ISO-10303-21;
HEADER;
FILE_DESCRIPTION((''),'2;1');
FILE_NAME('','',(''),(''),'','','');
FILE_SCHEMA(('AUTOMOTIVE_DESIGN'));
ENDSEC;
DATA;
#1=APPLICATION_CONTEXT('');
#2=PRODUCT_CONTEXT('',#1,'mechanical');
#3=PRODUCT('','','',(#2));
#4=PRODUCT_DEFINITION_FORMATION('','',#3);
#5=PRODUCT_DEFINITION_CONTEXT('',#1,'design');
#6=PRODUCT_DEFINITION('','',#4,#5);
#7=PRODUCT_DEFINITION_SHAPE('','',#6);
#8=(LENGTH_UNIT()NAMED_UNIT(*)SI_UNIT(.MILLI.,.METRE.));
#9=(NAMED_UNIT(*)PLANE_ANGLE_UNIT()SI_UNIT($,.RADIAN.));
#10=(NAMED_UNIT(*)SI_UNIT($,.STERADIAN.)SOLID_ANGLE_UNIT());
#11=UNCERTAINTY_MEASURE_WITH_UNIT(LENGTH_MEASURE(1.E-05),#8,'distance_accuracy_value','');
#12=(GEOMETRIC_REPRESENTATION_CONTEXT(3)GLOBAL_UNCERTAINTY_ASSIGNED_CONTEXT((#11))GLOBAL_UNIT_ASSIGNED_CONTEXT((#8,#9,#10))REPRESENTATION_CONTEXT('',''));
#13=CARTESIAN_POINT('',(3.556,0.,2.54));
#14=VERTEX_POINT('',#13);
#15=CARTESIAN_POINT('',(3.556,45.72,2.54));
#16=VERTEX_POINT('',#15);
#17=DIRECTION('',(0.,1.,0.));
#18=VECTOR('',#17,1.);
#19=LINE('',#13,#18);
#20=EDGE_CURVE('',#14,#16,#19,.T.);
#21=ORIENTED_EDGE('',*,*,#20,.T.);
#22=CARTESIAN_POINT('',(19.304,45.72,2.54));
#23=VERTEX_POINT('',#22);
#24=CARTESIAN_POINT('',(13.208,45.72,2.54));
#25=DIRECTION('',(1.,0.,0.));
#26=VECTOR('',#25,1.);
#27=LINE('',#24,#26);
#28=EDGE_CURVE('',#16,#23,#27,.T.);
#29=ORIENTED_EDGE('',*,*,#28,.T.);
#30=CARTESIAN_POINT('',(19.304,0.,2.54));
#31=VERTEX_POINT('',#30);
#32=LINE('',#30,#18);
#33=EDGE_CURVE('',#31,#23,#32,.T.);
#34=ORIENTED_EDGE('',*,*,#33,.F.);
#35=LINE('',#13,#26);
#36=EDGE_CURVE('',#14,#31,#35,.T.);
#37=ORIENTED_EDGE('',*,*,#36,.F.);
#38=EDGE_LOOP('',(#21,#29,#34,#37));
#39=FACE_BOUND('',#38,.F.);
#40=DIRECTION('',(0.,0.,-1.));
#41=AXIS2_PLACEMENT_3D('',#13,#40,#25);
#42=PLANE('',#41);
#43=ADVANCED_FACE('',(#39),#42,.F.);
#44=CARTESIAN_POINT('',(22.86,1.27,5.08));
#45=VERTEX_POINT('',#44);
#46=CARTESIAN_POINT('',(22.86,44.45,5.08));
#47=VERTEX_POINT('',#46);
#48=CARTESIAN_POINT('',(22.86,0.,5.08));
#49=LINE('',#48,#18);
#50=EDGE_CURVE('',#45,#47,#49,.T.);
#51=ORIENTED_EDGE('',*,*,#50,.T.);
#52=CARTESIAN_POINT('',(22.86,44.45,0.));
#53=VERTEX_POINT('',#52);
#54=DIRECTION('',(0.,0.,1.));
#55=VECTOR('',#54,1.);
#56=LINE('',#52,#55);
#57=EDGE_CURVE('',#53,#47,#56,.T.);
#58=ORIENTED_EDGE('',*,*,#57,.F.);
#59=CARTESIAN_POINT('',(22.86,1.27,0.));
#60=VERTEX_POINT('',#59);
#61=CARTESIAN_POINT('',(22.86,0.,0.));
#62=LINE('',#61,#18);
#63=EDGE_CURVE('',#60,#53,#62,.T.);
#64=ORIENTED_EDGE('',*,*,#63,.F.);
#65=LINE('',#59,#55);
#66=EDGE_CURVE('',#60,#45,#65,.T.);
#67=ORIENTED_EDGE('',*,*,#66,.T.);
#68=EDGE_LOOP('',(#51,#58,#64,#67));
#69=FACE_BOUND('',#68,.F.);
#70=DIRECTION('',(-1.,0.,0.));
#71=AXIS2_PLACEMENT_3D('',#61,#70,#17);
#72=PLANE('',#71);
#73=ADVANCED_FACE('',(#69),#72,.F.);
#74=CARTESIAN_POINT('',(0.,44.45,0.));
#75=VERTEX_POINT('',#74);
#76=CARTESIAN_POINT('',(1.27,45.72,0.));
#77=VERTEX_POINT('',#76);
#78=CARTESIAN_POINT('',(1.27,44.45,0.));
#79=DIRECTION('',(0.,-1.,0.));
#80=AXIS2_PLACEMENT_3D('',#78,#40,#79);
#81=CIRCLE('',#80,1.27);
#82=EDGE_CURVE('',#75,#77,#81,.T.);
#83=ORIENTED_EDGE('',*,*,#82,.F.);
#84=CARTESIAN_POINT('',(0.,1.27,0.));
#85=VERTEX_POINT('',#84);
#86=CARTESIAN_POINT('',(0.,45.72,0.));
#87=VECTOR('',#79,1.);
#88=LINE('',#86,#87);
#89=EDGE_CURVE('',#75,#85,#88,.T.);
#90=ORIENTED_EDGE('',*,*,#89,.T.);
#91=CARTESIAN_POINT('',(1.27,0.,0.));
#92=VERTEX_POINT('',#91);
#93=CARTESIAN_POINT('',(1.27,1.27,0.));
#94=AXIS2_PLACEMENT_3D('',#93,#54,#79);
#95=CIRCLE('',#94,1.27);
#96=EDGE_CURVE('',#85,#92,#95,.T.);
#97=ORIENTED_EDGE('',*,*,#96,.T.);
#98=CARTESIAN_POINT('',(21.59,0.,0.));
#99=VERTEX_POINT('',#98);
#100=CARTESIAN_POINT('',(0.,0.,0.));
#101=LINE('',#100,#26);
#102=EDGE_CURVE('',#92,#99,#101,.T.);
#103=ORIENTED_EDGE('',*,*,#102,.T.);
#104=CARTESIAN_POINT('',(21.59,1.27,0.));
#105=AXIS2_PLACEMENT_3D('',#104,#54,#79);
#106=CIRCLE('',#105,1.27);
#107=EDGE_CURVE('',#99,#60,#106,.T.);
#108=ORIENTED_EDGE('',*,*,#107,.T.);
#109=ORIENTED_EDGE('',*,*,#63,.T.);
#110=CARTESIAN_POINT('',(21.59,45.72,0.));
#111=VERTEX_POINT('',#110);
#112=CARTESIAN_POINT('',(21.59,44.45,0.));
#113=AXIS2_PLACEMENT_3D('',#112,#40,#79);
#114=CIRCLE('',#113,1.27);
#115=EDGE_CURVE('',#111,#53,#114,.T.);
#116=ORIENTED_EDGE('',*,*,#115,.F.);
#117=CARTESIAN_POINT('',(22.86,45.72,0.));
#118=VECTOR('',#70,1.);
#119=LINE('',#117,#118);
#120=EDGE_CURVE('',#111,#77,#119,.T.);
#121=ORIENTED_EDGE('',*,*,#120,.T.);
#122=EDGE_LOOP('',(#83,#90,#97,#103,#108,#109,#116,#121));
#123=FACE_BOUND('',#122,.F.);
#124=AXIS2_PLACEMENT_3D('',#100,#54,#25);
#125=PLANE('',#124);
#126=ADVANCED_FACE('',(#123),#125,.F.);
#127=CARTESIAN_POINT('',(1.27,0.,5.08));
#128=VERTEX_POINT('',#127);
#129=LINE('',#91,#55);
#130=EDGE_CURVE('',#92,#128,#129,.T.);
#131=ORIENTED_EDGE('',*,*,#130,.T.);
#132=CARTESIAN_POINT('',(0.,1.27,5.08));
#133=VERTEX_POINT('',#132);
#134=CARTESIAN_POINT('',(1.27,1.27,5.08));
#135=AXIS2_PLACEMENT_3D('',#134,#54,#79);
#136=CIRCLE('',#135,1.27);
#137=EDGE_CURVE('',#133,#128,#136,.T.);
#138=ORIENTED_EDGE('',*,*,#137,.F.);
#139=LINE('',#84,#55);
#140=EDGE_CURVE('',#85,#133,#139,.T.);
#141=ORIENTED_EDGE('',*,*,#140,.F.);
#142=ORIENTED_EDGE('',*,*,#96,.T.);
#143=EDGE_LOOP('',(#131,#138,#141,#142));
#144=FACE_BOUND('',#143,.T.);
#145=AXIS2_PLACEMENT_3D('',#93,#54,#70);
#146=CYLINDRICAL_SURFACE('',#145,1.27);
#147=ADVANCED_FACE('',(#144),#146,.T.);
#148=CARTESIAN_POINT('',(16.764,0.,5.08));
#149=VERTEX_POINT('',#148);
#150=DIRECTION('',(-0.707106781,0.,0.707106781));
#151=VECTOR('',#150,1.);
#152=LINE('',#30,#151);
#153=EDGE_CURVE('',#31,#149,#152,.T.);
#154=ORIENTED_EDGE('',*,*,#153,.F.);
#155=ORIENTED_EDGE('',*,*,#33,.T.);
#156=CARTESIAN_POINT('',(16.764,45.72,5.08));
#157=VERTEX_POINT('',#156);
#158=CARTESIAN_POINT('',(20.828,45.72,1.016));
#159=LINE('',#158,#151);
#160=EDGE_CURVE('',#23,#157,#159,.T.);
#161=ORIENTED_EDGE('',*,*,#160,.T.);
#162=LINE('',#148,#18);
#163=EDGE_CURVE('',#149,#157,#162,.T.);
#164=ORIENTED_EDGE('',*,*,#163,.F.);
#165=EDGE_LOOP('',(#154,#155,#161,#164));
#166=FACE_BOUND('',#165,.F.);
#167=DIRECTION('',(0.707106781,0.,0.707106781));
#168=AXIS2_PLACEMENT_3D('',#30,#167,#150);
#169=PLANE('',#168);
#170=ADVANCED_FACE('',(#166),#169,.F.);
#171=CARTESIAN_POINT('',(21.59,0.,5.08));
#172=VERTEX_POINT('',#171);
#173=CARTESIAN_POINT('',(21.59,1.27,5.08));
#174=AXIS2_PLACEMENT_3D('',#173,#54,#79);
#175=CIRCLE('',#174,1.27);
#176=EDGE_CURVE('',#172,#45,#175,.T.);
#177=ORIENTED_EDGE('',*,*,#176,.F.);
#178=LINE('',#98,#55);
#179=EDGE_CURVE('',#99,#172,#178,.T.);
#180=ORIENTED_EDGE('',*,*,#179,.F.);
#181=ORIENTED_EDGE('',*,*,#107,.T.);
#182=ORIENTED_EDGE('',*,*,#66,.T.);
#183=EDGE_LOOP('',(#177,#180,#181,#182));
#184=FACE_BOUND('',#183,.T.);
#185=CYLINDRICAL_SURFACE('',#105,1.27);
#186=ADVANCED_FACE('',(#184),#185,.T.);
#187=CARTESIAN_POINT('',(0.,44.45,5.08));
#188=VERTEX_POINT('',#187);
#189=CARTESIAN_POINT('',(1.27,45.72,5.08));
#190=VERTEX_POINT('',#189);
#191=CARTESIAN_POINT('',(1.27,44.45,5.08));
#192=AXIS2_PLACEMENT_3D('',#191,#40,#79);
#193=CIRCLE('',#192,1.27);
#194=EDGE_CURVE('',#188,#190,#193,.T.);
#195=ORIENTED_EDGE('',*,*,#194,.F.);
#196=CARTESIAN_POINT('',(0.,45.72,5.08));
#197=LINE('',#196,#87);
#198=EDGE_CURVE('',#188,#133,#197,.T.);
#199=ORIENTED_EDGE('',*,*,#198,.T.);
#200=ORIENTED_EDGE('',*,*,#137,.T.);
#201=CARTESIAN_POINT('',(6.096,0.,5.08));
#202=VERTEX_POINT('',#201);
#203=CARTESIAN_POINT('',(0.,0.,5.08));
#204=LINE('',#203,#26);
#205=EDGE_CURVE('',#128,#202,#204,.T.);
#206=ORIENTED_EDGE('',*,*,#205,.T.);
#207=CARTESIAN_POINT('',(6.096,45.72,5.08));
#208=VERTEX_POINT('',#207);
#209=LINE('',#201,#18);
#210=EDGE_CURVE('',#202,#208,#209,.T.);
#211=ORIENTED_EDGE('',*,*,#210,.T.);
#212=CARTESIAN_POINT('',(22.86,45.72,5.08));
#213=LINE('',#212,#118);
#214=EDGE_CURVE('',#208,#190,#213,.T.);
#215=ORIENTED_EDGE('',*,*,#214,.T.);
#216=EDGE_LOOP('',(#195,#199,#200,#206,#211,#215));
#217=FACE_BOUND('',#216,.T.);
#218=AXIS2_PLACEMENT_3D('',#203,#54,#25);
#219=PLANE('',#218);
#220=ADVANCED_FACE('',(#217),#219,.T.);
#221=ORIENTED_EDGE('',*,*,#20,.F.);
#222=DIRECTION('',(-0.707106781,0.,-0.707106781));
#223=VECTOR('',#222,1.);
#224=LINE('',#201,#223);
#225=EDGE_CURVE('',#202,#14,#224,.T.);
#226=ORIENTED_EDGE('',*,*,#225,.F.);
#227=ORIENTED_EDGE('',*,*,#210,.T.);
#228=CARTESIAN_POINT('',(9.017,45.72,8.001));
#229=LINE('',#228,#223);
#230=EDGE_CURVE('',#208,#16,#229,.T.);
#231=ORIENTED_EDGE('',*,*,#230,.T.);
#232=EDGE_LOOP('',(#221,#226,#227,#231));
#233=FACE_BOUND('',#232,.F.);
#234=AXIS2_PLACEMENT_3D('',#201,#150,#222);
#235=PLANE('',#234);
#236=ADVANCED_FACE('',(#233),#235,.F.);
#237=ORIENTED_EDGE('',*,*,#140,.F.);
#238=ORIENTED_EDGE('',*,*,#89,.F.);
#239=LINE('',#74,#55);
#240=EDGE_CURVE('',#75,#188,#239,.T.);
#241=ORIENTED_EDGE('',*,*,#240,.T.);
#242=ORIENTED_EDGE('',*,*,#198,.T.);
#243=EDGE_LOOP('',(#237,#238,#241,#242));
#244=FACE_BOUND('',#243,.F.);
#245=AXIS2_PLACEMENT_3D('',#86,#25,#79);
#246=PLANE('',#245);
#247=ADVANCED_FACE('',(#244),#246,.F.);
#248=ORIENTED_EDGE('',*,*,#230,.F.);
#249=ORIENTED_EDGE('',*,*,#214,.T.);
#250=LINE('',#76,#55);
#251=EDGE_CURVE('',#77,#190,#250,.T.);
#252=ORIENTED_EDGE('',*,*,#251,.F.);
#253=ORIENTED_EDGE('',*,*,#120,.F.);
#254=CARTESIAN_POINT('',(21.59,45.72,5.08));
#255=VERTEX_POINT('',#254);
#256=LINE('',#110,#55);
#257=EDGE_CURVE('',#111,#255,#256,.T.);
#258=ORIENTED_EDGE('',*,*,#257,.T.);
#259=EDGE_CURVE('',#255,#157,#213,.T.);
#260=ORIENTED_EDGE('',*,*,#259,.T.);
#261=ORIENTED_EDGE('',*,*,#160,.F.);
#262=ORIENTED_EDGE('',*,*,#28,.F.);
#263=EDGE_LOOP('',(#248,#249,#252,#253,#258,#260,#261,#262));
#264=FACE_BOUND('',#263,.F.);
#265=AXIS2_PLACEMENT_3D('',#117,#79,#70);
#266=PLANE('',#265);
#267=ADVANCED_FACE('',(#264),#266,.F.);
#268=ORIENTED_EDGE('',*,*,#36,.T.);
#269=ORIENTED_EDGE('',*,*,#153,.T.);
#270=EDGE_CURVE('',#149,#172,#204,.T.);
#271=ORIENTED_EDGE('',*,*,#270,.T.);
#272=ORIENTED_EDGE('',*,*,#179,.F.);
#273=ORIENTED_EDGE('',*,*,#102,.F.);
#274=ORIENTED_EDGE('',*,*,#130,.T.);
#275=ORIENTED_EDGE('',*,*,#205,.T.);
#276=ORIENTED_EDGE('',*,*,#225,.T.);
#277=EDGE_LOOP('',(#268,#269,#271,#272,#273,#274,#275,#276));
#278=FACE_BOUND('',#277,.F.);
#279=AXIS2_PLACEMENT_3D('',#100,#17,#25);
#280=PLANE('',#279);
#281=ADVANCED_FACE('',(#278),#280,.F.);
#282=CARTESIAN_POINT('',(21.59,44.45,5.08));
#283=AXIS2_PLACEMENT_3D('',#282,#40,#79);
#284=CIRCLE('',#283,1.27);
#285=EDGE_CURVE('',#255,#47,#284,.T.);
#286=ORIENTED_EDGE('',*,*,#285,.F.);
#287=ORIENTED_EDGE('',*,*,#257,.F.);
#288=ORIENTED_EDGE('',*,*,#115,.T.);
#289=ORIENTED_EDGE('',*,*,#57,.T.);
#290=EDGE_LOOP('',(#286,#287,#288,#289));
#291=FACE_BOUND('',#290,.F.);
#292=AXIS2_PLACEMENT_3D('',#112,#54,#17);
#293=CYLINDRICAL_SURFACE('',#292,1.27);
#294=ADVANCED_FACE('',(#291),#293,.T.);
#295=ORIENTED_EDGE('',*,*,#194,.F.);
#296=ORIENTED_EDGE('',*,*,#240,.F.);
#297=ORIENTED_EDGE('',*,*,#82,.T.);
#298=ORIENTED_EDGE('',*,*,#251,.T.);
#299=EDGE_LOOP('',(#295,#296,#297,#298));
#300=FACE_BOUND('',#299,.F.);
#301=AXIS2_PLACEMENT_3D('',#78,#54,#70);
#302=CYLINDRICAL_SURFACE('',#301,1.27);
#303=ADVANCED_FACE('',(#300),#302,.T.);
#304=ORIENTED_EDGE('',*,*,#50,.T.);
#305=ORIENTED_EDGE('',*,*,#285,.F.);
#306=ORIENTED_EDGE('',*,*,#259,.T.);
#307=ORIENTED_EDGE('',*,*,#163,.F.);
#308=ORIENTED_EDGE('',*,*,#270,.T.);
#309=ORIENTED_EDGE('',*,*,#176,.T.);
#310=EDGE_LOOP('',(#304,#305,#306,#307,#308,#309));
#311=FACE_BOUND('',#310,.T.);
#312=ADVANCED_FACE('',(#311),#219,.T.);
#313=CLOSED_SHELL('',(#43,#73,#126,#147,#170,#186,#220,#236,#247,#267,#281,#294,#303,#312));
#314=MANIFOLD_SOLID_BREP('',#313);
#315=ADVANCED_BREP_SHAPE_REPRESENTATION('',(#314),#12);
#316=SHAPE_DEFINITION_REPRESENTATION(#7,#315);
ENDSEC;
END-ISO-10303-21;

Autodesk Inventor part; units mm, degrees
ref_plane "YZ Plane" through (0, 0, 0) normal (1, 0, 0) x (0, 1, 0)
ref_plane "XZ Plane" through (0, 0, 0) normal (0, 1, 0) x (-1, 0, 0)
ref_plane "XY Plane" through (0, 0, 0) normal (0, 0, 1) x (1, 0, 0)
sketch "Sketch1" plane through (0, 0, 0) normal (0, 0, 1) x (1, 0, 0)
  line L0 (0, 0) -> (22.86, 0)
  line L1 (22.86, 0) -> (22.86, 45.72)
  line L2 (22.86, 45.72) -> (0, 45.72)
  line L3 (0, 45.72) -> (0, 0)
  dimension "d0" = 22.86
  dimension "d1" = 45.72
extrude "Extrusion1" add sketch "Sketch1" along normal blind 5.08
sketch "Sketch2" plane through (0, 0, 0) normal (0, -1, 0) x (1, 0, 0)
  line L0 (0, 5.08) -> (22.86, 5.08) projected
  line L1 (6.096, 5.08) -> (3.556, 2.54)
  line L2 (3.556, 2.54) -> (19.304, 2.54)
  line L3 (19.304, 2.54) -> (16.764, 5.08)
  line L4 (6.096, 5.08) -> (16.764, 5.08)
  line L5 (0, 0) -> (0, 5.08) projected
  line L6 (0, 0) -> (22.86, 0) projected
  dimension "d4" = 45
  dimension "d5" = 45
  dimension "d6" = 10.668
  dimension "d7" = 3.556
  dimension "d8" = 2.54
  dimension "d12" = 2.54
extrude "Extrusion2" cut sketch "Sketch2" against normal blind 50.8
fillet "Fillet1" radius 1.27 4 edges at (0, 0, 2.54) (22.86, 0, 2.54) (22.86, 45.72, 2.54) (0, 45.72, 2.54)
properties part number "nano_enclosure_modular_sidelock"
